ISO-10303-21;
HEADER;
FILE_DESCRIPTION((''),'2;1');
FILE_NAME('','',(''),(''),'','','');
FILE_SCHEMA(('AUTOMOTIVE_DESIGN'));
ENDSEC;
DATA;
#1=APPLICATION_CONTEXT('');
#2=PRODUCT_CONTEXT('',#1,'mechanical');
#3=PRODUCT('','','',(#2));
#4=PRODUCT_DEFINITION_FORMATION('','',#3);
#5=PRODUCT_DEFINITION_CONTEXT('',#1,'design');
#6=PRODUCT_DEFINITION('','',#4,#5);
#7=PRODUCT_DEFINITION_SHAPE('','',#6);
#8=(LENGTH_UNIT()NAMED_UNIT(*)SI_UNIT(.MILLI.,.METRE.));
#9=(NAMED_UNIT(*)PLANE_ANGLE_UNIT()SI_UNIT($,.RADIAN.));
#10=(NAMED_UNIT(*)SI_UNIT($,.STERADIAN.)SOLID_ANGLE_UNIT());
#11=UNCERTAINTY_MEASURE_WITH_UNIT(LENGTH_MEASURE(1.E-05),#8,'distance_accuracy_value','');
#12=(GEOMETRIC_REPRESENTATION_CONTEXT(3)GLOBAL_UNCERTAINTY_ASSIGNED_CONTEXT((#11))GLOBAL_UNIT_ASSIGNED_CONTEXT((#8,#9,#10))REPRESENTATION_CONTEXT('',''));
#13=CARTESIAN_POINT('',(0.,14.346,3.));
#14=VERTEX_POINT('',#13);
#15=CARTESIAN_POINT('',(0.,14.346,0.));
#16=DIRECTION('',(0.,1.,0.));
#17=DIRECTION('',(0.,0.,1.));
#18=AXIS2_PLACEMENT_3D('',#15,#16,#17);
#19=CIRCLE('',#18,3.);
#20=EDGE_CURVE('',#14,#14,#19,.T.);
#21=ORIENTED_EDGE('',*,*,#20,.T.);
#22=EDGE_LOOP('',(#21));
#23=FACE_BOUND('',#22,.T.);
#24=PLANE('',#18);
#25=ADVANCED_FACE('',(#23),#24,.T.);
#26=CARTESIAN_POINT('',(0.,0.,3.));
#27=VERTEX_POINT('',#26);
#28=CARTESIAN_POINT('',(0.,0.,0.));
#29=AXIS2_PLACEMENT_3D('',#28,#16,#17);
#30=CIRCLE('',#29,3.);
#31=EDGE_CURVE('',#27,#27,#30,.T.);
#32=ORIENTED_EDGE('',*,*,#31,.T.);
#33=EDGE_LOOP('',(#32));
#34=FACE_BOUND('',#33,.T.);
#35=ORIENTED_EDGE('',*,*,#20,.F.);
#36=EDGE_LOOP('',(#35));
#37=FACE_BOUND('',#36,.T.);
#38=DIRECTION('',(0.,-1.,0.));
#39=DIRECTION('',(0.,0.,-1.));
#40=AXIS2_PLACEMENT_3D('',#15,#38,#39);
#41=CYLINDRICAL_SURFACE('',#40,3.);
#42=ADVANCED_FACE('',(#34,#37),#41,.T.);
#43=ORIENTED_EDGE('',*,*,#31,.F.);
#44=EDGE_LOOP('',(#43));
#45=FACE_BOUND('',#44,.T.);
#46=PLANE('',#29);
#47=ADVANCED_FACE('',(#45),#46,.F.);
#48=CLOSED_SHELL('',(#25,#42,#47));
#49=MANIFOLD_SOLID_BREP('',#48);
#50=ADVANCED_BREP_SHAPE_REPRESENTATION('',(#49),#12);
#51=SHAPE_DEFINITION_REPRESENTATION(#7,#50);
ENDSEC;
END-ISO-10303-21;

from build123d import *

# Parameters (mm, degrees)
SKETCH1_R           = 3
BOSS_EXTRUDE1_DEPTH = 14.346


with BuildPart() as part:
    # Sketch1 → Boss-Extrude1 (new body)
    with BuildSketch(Plane(origin=(0, 0, 0), x_dir=(1, 0, 0), z_dir=(0, 1, 0))):
        with Locations(Location((0, 0, 0), (0, 0, 270))):
            Circle(SKETCH1_R)
    extrude(amount=BOSS_EXTRUDE1_DEPTH)


solid = part.part
